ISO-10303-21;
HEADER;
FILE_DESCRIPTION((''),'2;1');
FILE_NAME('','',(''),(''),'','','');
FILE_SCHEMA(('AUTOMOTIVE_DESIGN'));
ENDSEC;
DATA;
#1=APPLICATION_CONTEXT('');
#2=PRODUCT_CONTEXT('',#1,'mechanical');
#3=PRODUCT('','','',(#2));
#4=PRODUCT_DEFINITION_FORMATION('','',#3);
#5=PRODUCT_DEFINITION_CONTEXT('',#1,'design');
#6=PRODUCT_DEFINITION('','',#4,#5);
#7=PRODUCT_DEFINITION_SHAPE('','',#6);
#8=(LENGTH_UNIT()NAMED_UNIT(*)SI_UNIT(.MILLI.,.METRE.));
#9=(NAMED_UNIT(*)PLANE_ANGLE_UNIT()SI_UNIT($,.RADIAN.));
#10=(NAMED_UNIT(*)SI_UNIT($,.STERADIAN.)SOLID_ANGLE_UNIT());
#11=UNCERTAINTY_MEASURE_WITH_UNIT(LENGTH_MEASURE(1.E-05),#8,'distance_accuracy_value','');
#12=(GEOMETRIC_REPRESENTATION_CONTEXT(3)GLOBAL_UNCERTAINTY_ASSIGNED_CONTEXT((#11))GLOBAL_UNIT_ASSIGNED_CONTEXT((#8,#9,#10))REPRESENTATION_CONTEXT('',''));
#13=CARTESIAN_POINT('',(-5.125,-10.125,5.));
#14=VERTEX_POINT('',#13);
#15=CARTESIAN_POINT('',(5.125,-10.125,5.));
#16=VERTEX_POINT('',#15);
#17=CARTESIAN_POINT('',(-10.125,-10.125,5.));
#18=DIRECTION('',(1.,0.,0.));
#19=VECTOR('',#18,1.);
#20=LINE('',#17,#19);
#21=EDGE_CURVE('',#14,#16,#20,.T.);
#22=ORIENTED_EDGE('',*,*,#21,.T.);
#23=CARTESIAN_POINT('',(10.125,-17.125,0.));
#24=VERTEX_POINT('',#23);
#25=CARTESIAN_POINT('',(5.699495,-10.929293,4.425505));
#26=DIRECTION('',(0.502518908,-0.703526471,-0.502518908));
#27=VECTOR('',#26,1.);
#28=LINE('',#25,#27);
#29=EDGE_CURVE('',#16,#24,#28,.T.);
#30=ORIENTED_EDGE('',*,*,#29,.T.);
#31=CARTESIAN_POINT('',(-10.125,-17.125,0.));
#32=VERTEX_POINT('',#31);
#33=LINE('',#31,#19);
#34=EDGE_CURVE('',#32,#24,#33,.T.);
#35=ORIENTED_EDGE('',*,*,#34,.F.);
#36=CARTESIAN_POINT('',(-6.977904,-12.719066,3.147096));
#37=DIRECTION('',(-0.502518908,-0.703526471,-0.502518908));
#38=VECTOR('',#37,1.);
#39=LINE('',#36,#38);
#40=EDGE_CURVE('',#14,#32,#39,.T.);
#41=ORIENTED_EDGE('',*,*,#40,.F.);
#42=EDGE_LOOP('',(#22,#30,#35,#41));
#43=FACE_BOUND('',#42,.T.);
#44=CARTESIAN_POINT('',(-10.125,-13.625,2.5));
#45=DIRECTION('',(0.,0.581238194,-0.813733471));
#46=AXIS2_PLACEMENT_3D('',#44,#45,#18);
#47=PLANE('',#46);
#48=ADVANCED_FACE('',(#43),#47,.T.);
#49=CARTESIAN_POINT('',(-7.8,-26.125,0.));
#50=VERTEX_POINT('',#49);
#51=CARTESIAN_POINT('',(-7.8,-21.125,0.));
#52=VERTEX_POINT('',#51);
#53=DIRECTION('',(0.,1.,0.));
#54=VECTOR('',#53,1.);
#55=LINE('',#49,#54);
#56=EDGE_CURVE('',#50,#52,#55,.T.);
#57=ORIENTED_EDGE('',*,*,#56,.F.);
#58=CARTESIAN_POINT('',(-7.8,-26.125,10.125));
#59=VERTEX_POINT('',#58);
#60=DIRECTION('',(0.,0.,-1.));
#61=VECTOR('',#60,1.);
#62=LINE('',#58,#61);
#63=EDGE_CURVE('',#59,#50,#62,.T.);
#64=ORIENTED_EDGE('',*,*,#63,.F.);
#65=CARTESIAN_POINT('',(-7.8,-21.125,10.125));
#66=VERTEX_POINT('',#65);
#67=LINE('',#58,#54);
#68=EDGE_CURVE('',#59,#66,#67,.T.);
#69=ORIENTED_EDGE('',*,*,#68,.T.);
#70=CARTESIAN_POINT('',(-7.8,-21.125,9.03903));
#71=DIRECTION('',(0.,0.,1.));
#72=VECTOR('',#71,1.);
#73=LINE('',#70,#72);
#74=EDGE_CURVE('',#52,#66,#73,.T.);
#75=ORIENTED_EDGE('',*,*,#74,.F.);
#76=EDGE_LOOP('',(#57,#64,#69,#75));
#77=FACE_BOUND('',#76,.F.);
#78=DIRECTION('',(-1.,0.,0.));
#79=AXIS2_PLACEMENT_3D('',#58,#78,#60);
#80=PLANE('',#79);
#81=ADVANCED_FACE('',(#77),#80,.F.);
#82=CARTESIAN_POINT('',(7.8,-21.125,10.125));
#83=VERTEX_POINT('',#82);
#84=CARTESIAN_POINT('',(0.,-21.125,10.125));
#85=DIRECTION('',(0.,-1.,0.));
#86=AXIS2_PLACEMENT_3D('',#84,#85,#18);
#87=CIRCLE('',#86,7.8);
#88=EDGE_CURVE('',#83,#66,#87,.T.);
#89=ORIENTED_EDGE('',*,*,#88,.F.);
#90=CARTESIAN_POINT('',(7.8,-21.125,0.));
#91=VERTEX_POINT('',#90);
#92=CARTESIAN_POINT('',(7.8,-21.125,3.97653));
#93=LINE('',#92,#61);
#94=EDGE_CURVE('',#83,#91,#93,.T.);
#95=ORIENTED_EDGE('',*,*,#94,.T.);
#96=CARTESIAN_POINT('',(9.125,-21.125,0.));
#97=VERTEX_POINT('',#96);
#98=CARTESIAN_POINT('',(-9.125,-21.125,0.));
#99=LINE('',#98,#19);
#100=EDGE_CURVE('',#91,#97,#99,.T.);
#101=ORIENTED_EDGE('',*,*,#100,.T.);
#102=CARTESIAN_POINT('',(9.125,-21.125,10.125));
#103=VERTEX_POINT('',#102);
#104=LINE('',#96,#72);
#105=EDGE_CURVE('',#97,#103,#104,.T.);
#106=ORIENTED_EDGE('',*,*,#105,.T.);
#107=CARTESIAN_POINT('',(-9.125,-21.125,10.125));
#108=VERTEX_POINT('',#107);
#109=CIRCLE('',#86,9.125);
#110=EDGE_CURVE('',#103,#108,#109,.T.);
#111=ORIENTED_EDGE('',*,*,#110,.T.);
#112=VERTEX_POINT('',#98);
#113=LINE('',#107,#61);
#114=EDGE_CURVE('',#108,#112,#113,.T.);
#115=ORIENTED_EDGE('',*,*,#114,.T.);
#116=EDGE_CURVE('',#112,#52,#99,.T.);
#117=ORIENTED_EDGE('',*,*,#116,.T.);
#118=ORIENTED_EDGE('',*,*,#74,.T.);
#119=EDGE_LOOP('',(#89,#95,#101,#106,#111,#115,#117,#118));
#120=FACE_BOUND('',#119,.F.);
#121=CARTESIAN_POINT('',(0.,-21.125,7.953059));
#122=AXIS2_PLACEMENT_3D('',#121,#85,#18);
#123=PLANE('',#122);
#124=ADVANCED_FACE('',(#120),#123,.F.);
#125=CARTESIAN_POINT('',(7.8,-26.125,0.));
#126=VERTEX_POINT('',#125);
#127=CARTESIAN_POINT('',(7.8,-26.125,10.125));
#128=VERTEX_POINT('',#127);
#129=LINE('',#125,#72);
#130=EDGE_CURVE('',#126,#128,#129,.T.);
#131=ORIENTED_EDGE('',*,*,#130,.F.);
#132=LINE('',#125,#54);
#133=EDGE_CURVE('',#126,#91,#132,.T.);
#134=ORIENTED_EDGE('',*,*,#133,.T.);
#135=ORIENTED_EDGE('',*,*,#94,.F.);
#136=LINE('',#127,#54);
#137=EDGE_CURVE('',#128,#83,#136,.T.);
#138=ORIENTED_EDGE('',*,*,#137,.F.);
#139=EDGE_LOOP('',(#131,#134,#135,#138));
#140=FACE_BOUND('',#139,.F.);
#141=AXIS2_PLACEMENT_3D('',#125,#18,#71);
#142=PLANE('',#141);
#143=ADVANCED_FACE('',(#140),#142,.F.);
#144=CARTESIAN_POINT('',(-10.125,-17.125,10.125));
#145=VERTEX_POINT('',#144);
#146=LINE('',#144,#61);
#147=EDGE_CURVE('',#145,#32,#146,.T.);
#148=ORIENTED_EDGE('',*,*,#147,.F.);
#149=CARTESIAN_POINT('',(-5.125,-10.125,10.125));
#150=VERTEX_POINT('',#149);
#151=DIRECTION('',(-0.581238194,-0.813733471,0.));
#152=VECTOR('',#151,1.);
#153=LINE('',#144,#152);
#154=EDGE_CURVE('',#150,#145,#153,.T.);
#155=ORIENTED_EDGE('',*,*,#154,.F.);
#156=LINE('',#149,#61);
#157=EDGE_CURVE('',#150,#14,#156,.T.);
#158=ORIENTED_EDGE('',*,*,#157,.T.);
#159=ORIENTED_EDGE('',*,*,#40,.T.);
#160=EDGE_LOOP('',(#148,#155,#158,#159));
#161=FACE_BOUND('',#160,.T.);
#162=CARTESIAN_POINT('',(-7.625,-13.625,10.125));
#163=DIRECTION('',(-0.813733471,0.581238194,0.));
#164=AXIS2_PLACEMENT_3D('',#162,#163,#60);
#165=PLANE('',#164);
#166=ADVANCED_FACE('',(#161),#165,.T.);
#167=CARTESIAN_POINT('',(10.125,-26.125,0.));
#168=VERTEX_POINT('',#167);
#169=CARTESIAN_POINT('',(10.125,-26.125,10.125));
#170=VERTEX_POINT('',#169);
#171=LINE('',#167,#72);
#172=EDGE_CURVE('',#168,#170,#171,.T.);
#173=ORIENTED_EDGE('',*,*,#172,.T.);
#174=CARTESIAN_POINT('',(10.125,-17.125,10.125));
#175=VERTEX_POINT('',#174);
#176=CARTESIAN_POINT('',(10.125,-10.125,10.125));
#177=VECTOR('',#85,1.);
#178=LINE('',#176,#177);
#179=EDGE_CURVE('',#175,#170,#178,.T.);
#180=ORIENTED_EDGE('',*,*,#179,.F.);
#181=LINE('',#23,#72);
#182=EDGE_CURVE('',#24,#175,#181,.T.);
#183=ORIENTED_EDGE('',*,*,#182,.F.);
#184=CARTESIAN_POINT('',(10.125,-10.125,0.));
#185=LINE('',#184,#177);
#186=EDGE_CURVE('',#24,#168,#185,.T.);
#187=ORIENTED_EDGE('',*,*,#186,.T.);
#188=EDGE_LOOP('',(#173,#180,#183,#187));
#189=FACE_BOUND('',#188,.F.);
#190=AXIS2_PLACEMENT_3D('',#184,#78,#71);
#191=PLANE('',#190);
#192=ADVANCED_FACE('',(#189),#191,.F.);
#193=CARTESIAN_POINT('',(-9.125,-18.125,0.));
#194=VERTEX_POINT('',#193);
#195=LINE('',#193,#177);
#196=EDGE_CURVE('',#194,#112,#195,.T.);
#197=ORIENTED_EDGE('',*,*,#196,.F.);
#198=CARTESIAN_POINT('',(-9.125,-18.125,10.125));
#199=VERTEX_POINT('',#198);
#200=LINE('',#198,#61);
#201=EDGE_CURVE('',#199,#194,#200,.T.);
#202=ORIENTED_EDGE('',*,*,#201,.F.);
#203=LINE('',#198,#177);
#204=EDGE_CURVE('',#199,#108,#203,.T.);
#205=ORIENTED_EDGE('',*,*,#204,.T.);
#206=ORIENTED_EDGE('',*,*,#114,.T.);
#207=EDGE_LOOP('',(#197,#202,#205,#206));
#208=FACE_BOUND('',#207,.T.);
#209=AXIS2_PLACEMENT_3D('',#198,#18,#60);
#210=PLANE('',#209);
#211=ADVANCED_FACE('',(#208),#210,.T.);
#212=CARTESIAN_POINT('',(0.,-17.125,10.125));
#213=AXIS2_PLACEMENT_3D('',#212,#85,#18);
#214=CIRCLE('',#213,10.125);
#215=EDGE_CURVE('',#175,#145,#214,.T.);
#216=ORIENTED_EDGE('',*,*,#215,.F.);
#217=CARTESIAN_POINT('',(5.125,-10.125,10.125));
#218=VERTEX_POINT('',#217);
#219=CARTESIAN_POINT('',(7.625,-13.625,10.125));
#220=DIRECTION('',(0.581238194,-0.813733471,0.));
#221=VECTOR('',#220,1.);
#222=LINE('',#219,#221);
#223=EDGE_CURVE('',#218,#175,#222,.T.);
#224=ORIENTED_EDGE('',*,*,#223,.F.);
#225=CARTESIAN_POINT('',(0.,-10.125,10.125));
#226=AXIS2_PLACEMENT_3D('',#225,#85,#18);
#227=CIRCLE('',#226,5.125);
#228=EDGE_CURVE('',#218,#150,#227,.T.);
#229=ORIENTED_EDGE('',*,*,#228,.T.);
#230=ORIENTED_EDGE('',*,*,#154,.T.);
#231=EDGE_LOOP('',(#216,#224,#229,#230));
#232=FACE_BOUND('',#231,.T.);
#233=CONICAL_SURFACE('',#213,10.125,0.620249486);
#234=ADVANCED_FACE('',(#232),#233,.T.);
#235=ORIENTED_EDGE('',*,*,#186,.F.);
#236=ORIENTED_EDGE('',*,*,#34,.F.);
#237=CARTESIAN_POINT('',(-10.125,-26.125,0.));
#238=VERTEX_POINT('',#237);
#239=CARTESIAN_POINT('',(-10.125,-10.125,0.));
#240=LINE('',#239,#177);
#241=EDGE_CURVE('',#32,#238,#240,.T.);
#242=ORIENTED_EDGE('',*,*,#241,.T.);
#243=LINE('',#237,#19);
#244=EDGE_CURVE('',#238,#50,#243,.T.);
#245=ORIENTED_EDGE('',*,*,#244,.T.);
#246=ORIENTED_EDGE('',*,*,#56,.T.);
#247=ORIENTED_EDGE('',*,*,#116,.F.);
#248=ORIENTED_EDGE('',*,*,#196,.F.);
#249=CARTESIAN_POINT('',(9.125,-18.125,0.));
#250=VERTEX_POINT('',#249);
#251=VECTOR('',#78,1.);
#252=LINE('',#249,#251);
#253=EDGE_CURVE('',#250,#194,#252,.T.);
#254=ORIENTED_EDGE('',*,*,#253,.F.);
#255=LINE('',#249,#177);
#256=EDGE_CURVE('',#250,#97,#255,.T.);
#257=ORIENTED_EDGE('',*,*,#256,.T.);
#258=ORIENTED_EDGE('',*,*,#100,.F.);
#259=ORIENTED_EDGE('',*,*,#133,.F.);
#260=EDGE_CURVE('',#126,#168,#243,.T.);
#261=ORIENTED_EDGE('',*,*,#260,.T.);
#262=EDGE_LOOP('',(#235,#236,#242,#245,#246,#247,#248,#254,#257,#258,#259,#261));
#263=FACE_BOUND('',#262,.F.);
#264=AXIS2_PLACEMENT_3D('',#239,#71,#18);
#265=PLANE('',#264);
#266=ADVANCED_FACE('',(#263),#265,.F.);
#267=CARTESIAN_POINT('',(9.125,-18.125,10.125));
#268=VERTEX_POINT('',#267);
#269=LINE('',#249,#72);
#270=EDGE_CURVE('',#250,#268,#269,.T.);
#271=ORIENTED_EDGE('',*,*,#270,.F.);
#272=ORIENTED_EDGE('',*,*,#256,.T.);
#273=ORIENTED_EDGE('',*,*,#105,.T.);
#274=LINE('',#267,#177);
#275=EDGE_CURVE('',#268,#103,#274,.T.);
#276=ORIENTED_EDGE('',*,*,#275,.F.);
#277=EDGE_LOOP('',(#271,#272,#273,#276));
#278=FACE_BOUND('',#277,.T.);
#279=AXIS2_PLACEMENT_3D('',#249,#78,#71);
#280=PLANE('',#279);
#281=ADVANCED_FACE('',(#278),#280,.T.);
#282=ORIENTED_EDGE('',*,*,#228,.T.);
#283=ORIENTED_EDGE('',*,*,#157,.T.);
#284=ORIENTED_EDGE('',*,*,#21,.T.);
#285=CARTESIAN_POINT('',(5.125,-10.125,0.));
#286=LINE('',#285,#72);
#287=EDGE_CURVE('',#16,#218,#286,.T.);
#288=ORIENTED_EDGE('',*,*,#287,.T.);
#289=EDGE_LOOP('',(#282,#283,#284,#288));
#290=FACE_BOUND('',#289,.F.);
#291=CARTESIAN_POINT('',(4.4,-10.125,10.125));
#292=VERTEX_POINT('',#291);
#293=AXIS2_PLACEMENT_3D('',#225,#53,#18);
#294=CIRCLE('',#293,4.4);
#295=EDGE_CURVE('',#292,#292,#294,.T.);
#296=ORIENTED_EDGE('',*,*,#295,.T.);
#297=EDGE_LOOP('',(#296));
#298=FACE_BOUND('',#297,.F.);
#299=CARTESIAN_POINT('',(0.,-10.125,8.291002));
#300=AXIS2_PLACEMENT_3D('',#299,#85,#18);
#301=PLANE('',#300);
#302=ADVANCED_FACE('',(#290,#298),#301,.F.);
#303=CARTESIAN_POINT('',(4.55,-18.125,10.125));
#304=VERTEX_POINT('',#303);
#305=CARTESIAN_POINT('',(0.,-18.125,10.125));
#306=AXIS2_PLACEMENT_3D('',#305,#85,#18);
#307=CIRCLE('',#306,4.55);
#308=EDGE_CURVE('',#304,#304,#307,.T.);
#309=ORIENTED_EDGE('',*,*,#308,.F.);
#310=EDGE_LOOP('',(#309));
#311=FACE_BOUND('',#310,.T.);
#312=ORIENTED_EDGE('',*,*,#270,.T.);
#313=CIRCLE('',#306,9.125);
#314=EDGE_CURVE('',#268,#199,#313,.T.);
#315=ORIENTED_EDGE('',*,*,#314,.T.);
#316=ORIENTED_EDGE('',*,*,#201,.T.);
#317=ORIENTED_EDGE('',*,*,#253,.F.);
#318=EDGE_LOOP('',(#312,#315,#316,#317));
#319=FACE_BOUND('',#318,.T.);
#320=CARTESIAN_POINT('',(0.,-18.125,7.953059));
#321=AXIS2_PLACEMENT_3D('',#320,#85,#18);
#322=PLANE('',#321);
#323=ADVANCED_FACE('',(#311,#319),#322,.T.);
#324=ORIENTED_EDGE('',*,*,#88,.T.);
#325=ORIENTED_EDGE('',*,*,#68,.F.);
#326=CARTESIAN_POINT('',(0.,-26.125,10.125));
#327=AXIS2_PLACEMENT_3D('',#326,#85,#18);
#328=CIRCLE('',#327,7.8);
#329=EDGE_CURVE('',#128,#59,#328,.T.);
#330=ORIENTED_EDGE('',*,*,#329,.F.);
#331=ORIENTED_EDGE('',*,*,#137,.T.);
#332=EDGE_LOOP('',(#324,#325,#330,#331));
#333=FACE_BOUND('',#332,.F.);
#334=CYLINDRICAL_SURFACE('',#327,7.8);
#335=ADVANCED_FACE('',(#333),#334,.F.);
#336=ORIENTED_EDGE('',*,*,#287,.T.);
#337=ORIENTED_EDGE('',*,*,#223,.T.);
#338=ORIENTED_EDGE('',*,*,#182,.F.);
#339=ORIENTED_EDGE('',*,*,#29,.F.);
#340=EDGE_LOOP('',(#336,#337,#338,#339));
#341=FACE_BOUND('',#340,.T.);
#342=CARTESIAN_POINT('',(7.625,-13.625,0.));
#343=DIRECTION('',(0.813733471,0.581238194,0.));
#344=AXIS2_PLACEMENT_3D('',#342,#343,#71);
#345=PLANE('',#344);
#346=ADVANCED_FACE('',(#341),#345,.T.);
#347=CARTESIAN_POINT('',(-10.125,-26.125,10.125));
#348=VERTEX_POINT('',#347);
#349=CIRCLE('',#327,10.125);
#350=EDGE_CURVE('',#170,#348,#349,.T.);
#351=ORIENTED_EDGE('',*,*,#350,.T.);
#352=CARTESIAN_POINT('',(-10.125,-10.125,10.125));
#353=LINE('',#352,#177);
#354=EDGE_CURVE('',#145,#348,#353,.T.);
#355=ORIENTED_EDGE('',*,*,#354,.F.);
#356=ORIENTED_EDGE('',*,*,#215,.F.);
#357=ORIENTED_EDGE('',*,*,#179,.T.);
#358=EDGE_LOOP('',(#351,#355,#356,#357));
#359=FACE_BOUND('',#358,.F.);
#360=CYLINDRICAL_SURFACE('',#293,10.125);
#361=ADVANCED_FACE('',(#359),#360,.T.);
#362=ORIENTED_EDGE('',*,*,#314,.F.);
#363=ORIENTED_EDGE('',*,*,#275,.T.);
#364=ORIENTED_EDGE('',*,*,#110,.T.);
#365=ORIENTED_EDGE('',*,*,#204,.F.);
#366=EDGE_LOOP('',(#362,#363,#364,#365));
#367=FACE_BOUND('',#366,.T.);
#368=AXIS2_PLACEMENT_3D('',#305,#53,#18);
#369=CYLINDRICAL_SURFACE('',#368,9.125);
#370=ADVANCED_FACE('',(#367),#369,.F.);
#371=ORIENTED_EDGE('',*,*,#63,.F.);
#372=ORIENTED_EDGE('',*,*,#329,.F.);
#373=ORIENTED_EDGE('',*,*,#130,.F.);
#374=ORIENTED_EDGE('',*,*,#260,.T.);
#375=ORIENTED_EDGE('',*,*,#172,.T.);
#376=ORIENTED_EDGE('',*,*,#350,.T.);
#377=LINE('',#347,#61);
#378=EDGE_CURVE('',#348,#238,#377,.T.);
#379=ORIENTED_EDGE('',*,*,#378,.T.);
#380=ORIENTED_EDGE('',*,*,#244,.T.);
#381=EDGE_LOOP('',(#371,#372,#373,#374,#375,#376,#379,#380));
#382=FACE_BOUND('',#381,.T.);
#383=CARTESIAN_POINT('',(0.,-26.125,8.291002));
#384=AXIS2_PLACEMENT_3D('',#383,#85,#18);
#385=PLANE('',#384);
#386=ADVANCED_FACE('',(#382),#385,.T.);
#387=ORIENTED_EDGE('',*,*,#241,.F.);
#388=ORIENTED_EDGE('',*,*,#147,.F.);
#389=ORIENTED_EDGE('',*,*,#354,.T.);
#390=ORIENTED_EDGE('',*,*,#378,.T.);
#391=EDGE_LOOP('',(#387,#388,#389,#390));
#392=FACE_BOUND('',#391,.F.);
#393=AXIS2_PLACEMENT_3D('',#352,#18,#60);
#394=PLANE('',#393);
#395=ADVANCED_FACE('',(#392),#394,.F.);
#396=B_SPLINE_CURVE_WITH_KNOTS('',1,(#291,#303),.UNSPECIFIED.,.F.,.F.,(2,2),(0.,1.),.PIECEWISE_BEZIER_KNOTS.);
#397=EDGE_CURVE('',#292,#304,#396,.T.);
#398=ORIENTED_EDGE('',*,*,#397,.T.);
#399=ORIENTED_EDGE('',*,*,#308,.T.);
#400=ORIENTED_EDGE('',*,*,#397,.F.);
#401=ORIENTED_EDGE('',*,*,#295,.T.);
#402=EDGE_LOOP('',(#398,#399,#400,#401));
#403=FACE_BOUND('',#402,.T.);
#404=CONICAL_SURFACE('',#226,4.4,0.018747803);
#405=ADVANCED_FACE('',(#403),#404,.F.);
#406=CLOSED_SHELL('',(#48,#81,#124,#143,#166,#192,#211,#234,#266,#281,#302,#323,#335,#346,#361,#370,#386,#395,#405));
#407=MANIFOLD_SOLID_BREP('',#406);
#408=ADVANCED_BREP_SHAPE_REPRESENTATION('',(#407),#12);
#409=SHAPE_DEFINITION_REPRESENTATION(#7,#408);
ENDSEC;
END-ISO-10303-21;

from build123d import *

# Parameters (mm, degrees)
F1_DEPTH  = 16
F3_DEPTH  = 8
F5_DEPTH  = 3
F7_R      = 4.4
F6_R      = 4.55
F9_ANGLE  = 90
F10_SIZE2 = 7
F10_SIZE  = 5


with BuildPart() as f1:
    # F0 (on Top) → F1 (new body)
    with BuildSketch(Plane.XY):
        with BuildLine():
            ThreePointArc((10.125, 0), (0, 10.125), (-10.125, 0))
            Line((-10.125, 0), (-10.125, -10.125))
            Line((-10.125, -10.125), (10.125, -10.125))
            Line((10.125, -10.125), (10.125, 0))
        make_face()
    extrude(amount=F1_DEPTH)

    # F2 (on face) → F3 (cut)
    with BuildSketch(Plane.XY.offset(16)):
        with BuildLine():
            ThreePointArc((7.8, 0), (0, 7.8), (-7.8, 0))
            Line((-7.8, 0), (-7.8, -10.125))
            Line((-7.8, -10.125), (7.8, -10.125))
            Line((7.8, -10.125), (7.8, 0))
        make_face()
    extrude(amount=-F3_DEPTH, mode=Mode.SUBTRACT)

    # F4 (on face) → F5 (cut)
    with BuildSketch(Plane.XY.offset(8)):
        with BuildLine():
            ThreePointArc((9.125, 0), (0, 9.125), (-9.125, 0))
            Line((-9.125, 0), (-9.125, -10.125))
            Line((-9.125, -10.125), (9.125, -10.125))
            Line((9.125, -10.125), (9.125, 0))
        make_face()
    extrude(amount=F5_DEPTH, mode=Mode.SUBTRACT)

    # F7 (on face) → F8 section 0
    with BuildSketch(Plane(origin=(0, 0, 0), x_dir=(1, 0, 0), z_dir=(0, 0, -1))):
        Circle(F7_R)
    # F6 (on face) → F8 section 1
    with BuildSketch(Plane.XY.offset(8)):
        Circle(F6_R)
    loft(mode=Mode.SUBTRACT)


with BuildPart() as f1_1:
    # F9: moved
    add(f1.part.rotate(Axis((0, -10.125, 0), (1, 0, 0)), F9_ANGLE))

    # F10
    f10_edges = [f1_1.edges().sort_by_distance(p)[0] for p in [
        (10.125, -10.125, 5.0625),
        (0, -10.125, 20.25),
        (0, -10.125, 0),
    ]]
    f10_side = f1_1.faces().sort_by_distance((0, -10.125, 19.963622))[0]
    chamfer(f10_edges, length=F10_SIZE, length2=F10_SIZE2, reference=f10_side)


solid = f1_1.part
